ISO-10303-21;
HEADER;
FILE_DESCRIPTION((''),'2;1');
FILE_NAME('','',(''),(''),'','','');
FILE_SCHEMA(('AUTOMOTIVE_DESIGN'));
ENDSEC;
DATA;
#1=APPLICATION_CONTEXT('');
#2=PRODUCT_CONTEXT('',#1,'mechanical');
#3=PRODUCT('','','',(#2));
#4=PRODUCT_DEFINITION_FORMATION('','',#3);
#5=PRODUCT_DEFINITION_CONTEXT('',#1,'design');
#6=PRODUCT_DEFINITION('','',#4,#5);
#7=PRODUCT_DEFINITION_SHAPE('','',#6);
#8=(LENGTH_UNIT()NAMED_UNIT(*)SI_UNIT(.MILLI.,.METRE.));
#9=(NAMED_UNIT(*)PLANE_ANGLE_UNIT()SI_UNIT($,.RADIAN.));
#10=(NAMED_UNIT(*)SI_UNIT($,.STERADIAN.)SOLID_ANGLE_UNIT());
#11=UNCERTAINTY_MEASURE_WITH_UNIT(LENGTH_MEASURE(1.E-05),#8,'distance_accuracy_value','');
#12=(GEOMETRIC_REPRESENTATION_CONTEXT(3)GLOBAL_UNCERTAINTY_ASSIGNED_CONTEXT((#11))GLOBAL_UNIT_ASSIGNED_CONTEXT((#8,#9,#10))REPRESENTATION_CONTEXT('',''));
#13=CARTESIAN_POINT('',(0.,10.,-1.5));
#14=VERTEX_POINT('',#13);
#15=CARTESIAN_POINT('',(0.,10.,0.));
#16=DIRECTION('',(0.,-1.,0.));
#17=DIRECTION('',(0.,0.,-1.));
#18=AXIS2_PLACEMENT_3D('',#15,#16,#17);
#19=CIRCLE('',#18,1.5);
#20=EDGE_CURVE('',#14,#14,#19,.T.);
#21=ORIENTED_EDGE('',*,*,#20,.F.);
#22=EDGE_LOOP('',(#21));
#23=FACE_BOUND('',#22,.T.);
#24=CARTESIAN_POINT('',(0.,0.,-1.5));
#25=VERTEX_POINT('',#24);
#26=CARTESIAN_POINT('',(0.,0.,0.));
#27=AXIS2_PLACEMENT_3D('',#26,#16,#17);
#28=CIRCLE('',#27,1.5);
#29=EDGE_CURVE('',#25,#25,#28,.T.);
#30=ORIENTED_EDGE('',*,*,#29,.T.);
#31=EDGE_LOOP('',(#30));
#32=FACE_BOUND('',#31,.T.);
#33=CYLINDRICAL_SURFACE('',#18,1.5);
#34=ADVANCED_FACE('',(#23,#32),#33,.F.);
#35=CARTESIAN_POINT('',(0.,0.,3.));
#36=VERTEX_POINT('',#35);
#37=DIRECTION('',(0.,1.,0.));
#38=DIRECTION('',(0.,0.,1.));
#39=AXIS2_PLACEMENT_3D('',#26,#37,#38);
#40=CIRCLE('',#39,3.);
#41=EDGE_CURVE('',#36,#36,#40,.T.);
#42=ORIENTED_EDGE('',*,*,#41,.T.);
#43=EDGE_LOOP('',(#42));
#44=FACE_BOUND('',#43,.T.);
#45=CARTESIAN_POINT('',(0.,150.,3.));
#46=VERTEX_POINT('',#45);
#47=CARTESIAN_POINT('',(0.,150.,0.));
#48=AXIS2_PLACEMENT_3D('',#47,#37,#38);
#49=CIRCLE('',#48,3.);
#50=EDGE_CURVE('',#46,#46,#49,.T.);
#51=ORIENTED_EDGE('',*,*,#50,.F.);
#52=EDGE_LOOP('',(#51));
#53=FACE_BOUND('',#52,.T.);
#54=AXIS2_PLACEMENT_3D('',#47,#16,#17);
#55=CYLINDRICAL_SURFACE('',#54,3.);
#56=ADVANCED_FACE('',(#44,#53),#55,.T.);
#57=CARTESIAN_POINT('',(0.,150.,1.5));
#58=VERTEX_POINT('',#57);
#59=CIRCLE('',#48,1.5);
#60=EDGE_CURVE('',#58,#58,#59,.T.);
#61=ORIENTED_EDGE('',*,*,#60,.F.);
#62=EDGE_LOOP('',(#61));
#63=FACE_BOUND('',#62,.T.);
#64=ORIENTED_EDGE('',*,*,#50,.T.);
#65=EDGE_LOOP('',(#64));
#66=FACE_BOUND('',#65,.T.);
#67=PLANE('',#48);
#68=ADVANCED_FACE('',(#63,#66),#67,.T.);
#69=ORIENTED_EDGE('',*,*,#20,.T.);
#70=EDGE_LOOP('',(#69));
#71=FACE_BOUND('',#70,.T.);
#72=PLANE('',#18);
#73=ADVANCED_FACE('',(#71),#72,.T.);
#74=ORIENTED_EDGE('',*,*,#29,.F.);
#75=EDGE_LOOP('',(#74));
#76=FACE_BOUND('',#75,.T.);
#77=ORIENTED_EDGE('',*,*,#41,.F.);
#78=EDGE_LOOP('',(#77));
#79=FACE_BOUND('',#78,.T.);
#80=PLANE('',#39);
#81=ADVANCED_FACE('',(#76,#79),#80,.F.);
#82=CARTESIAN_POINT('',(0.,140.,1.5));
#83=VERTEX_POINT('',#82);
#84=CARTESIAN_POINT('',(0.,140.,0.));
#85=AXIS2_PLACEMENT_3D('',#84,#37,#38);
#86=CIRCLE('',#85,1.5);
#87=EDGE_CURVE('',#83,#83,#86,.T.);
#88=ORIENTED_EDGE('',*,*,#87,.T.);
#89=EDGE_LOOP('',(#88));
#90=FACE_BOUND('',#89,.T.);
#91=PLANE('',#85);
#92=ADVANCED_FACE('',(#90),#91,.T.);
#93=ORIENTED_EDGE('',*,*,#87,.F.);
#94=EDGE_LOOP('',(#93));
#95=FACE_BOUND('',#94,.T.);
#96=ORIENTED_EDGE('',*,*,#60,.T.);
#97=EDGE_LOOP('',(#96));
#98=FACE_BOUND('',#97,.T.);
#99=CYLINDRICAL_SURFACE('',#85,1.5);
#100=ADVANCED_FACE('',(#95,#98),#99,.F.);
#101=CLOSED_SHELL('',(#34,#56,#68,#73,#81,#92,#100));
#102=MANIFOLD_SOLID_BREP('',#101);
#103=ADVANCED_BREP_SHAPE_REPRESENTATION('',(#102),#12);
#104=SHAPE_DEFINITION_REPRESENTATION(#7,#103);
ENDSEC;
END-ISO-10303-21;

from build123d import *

# Parameters (mm, degrees)
SKETCH_1_R          = 3
EXTRUDE_1_DEPTH     = 150
SKETCH_2_R          = 1.5
CUT_EXTRUDE_1_DEPTH = 10
CUT_EXTRUDE_START   = -10
SKETCH_3_R          = 1.5
CUT_EXTRUDE_2_DEPTH = 10


with BuildPart() as part:
    # 草图1 → 凸台-拉伸1 (new body)
    with BuildSketch(Plane(origin=(0, 0, 0), x_dir=(1, 0, 0), z_dir=(0, 1, 0))):
        with Locations(Location((0, 0, 0), (0, 0, 270))):
            Circle(SKETCH_1_R)
    extrude(amount=EXTRUDE_1_DEPTH)

    # 草图2 → 切除-拉伸1 (cut)
    with BuildSketch(Plane(origin=(0, 150, 0), x_dir=(1, 0, 0), z_dir=(0, 1, 0))):
        with Locations(Location((0, 0, 0), (0, 0, 270))):
            Circle(SKETCH_2_R)
    extrude(amount=-CUT_EXTRUDE_1_DEPTH, mode=Mode.SUBTRACT)

    # 草图3 → 切除-拉伸2 (cut)
    with BuildSketch(Plane.XZ.offset(CUT_EXTRUDE_START)):
        with Locations(Location((0, 0, 0), (0, 0, 90))):
            Circle(SKETCH_3_R)
    extrude(amount=CUT_EXTRUDE_2_DEPTH, mode=Mode.SUBTRACT)


solid = part.part
